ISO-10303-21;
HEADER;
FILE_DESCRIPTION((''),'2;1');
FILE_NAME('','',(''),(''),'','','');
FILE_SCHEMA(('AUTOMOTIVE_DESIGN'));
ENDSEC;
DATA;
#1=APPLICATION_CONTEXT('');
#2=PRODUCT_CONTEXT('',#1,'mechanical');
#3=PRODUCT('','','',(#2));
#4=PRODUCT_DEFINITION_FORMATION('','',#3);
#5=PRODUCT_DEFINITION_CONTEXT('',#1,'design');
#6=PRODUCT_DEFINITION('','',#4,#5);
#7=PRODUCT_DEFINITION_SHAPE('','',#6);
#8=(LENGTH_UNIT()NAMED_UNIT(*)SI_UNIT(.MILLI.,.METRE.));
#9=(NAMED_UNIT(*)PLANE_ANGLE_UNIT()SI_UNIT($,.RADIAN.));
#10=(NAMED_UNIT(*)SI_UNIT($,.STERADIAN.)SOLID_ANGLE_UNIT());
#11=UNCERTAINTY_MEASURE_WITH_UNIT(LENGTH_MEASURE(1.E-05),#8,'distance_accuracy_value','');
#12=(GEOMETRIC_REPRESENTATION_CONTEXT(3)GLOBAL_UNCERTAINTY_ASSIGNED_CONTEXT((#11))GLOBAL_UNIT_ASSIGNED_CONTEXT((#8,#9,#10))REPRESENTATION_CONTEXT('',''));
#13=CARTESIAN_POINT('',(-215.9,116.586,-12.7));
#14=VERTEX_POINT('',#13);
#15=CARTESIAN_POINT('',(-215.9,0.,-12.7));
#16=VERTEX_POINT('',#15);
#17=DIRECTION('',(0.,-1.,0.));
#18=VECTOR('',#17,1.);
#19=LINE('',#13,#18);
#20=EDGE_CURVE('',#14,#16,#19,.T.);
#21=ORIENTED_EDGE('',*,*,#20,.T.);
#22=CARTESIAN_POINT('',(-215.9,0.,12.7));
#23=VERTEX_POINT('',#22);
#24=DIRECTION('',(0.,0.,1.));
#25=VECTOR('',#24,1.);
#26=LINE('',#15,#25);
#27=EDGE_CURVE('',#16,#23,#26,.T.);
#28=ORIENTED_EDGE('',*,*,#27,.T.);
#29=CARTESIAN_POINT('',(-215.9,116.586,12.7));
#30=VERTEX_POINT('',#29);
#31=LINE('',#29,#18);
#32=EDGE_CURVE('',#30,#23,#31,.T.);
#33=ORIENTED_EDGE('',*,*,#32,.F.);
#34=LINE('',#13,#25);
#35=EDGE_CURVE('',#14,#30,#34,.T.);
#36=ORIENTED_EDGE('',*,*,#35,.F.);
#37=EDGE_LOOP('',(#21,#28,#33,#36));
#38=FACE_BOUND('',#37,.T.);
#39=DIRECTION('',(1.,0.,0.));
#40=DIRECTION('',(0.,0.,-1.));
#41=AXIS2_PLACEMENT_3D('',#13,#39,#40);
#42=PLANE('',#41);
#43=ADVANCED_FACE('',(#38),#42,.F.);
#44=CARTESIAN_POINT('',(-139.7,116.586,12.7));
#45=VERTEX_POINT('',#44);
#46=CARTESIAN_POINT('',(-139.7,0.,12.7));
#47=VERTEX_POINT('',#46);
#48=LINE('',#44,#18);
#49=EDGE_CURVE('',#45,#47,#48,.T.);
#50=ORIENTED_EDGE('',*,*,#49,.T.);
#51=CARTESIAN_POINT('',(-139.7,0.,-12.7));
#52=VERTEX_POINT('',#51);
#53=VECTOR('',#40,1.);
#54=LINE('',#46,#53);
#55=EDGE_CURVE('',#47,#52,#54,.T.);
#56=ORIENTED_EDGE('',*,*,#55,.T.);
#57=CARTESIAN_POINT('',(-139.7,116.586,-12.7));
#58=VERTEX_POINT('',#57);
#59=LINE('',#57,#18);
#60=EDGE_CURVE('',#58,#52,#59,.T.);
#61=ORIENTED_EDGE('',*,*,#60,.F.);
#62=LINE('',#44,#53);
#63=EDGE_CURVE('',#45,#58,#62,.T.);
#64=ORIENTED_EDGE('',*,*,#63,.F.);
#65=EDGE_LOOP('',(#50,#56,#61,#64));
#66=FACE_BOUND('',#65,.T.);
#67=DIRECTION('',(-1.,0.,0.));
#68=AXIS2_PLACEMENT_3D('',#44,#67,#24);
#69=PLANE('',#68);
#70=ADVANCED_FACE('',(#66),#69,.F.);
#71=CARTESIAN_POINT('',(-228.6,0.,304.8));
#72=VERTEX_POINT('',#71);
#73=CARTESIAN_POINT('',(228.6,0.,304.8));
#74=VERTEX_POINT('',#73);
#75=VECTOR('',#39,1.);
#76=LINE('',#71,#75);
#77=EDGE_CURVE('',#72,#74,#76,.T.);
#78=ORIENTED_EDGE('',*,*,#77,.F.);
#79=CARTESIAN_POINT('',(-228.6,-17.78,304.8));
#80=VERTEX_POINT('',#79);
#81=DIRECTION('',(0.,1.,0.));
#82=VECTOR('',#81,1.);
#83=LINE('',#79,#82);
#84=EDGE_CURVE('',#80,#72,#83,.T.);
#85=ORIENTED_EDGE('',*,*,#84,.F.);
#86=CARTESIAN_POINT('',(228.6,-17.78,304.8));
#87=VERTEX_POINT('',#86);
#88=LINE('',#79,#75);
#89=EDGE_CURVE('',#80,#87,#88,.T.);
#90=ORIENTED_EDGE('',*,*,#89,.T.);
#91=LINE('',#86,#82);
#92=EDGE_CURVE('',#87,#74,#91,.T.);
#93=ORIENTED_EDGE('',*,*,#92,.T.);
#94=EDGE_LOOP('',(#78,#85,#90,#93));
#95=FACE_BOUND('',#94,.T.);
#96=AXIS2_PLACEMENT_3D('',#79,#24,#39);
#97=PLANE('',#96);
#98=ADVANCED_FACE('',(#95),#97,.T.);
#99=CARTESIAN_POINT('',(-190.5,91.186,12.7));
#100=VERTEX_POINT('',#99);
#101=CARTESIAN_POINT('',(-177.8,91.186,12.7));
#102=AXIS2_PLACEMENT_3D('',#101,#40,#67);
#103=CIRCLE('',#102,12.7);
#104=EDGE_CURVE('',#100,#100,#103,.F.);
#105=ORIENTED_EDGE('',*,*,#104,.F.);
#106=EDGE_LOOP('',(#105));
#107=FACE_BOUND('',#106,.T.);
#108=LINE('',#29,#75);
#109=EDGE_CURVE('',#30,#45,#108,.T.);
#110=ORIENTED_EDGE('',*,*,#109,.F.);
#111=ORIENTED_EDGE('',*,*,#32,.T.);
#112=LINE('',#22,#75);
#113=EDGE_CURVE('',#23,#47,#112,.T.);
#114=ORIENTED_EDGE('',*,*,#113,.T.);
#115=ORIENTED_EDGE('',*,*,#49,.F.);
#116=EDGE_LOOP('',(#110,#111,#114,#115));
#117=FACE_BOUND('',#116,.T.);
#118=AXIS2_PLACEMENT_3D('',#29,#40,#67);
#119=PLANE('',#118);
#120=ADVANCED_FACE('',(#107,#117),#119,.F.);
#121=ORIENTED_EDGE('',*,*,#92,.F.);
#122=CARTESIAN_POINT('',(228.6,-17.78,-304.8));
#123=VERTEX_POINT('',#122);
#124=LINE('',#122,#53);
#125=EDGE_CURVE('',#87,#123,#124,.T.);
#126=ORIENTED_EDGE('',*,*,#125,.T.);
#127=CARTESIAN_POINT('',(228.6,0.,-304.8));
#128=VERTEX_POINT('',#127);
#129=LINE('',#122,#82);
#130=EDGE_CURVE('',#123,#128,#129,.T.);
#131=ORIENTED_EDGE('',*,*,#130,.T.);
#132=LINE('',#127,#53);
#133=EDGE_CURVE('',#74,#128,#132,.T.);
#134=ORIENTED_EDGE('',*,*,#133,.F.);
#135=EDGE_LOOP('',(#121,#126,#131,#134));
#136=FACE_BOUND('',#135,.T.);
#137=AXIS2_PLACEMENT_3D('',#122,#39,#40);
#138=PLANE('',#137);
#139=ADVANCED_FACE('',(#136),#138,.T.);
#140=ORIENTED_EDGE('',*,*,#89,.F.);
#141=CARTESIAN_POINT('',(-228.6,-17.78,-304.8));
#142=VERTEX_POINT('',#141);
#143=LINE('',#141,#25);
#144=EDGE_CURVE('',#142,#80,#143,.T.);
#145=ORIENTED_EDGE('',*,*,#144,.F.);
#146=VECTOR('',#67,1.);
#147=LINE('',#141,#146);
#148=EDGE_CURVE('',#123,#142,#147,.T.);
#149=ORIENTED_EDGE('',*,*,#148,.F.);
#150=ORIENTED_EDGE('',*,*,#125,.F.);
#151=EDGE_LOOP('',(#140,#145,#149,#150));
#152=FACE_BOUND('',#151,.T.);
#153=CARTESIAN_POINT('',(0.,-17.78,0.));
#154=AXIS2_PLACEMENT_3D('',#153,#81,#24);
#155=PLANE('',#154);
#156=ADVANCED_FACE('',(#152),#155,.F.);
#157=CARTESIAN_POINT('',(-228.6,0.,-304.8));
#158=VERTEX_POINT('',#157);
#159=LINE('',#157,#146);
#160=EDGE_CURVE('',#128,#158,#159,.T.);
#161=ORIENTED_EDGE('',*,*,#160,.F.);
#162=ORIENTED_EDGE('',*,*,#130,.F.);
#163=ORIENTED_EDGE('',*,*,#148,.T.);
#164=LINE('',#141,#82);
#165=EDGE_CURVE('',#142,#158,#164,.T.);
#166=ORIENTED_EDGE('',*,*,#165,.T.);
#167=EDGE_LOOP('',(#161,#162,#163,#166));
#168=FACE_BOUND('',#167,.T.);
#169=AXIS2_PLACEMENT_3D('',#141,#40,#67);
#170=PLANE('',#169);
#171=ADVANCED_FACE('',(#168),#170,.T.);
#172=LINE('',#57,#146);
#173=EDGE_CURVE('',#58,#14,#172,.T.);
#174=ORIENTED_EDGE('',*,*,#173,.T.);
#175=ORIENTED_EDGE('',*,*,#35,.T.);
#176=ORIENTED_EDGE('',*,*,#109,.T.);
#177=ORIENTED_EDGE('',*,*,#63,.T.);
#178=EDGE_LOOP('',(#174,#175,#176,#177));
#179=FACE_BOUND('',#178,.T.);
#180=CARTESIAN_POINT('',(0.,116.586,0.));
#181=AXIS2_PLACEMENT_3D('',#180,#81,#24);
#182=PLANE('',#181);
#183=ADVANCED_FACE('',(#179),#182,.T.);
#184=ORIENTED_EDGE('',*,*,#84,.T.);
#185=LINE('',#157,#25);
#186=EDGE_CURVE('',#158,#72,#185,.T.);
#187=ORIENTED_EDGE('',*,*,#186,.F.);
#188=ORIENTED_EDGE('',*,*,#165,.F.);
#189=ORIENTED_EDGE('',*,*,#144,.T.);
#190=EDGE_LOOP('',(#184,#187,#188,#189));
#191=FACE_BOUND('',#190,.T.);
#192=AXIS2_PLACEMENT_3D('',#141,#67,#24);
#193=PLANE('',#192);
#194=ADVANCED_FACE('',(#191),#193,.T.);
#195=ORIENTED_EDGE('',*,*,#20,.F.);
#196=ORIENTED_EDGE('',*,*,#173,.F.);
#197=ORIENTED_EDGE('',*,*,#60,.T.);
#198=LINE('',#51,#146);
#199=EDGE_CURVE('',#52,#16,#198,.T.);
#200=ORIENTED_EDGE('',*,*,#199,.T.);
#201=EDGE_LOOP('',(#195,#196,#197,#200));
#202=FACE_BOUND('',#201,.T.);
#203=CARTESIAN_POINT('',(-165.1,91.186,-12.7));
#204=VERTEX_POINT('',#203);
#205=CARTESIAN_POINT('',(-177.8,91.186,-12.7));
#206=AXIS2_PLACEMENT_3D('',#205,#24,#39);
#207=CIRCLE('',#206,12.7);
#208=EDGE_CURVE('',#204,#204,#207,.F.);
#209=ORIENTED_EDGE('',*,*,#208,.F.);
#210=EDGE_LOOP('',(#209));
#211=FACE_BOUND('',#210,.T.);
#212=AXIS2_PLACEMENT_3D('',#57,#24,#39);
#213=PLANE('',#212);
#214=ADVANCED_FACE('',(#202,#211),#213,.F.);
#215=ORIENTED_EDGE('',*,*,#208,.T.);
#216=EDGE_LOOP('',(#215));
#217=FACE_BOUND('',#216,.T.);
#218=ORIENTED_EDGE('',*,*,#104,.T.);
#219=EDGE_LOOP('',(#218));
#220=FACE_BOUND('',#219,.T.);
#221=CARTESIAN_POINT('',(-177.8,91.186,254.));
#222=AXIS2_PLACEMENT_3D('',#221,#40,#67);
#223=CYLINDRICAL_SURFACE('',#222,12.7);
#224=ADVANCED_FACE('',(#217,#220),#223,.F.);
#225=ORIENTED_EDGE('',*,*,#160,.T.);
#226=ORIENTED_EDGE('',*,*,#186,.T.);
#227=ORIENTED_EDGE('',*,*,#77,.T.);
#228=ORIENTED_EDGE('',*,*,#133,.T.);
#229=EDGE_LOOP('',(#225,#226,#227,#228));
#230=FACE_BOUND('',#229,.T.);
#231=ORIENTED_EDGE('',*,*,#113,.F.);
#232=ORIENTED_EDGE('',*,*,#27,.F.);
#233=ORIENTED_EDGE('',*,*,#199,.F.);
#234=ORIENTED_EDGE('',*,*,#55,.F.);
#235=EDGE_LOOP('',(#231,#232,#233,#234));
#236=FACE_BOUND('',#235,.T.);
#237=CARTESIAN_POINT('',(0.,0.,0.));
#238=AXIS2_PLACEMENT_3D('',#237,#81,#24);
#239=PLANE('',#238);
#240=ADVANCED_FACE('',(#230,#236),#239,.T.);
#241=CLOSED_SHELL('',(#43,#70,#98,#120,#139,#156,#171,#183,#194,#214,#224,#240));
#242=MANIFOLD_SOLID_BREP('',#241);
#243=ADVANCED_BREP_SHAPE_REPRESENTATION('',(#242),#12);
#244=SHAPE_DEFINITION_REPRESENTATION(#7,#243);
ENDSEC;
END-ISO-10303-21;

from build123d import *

# Parameters (mm, degrees)
SKETCH2_W               = 457.2
SKETCH2_H               = 609.6
SKETCH2_W_2             = 76.2
SKETCH2_H_2             = 25.4
BOSS_EXTRUDE1_DEPTH     = 17.78
SKETCH3_W               = 76.2
SKETCH3_H               = 25.4
BOSS_EXTRUDE2_DEPTH     = 116.586
SKETCH3_2_W             = 76.2
SKETCH3_2_H             = 25.4
BOSS_EXTRUDE3_DEPTH     = 17.78
CUT_EXTRUDE1_DEPTH      = 254
CUT_EXTRUDE1_DEPTH_BACK = 254
SKETCH4_R               = 12.7


with BuildPart() as part:
    # Sketch2 → Boss-Extrude1 (new body)
    with BuildSketch(Plane(origin=(0, 0, 0), x_dir=(1, 0, 0), z_dir=(0, 1, 0))):
        Rectangle(SKETCH2_W, SKETCH2_H)
        with Locations((-177.8, 0)):
            Rectangle(SKETCH2_W_2, SKETCH2_H_2, mode=Mode.SUBTRACT)
    extrude(amount=-BOSS_EXTRUDE1_DEPTH)



with BuildPart() as body_2:
    # Sketch3 → Boss-Extrude2 (new body)
    with BuildSketch(Plane(origin=(0, 0, 0), x_dir=(1, 0, 0), z_dir=(0, 1, 0))):
        with Locations((-177.8, 0)):
            Rectangle(SKETCH3_W, SKETCH3_H)
    extrude(amount=BOSS_EXTRUDE2_DEPTH)


with BuildPart() as part_1:
    add(part.part)

    add(body_2.part)  # Boss-Extrude3 merges body 2
    # Sketch3<2> → Boss-Extrude3 (add)
    with BuildSketch(Plane(origin=(0, 0, 0), x_dir=(1, 0, 0), z_dir=(0, 1, 0))):
        with Locations((-177.8, 0)):
            Rectangle(SKETCH3_2_W, SKETCH3_2_H)
    extrude(amount=-BOSS_EXTRUDE3_DEPTH)

    # Sketch4 → Cut-Extrude1 (cut, two sides: drawn at the far end of the back side and taken through both)
    with BuildSketch(Plane.XY.offset(-CUT_EXTRUDE1_DEPTH_BACK)):
        with Locations((-177.8, 91.186)):
            Circle(SKETCH4_R)
    extrude(amount=CUT_EXTRUDE1_DEPTH + CUT_EXTRUDE1_DEPTH_BACK, mode=Mode.SUBTRACT)


solid = part_1.part
